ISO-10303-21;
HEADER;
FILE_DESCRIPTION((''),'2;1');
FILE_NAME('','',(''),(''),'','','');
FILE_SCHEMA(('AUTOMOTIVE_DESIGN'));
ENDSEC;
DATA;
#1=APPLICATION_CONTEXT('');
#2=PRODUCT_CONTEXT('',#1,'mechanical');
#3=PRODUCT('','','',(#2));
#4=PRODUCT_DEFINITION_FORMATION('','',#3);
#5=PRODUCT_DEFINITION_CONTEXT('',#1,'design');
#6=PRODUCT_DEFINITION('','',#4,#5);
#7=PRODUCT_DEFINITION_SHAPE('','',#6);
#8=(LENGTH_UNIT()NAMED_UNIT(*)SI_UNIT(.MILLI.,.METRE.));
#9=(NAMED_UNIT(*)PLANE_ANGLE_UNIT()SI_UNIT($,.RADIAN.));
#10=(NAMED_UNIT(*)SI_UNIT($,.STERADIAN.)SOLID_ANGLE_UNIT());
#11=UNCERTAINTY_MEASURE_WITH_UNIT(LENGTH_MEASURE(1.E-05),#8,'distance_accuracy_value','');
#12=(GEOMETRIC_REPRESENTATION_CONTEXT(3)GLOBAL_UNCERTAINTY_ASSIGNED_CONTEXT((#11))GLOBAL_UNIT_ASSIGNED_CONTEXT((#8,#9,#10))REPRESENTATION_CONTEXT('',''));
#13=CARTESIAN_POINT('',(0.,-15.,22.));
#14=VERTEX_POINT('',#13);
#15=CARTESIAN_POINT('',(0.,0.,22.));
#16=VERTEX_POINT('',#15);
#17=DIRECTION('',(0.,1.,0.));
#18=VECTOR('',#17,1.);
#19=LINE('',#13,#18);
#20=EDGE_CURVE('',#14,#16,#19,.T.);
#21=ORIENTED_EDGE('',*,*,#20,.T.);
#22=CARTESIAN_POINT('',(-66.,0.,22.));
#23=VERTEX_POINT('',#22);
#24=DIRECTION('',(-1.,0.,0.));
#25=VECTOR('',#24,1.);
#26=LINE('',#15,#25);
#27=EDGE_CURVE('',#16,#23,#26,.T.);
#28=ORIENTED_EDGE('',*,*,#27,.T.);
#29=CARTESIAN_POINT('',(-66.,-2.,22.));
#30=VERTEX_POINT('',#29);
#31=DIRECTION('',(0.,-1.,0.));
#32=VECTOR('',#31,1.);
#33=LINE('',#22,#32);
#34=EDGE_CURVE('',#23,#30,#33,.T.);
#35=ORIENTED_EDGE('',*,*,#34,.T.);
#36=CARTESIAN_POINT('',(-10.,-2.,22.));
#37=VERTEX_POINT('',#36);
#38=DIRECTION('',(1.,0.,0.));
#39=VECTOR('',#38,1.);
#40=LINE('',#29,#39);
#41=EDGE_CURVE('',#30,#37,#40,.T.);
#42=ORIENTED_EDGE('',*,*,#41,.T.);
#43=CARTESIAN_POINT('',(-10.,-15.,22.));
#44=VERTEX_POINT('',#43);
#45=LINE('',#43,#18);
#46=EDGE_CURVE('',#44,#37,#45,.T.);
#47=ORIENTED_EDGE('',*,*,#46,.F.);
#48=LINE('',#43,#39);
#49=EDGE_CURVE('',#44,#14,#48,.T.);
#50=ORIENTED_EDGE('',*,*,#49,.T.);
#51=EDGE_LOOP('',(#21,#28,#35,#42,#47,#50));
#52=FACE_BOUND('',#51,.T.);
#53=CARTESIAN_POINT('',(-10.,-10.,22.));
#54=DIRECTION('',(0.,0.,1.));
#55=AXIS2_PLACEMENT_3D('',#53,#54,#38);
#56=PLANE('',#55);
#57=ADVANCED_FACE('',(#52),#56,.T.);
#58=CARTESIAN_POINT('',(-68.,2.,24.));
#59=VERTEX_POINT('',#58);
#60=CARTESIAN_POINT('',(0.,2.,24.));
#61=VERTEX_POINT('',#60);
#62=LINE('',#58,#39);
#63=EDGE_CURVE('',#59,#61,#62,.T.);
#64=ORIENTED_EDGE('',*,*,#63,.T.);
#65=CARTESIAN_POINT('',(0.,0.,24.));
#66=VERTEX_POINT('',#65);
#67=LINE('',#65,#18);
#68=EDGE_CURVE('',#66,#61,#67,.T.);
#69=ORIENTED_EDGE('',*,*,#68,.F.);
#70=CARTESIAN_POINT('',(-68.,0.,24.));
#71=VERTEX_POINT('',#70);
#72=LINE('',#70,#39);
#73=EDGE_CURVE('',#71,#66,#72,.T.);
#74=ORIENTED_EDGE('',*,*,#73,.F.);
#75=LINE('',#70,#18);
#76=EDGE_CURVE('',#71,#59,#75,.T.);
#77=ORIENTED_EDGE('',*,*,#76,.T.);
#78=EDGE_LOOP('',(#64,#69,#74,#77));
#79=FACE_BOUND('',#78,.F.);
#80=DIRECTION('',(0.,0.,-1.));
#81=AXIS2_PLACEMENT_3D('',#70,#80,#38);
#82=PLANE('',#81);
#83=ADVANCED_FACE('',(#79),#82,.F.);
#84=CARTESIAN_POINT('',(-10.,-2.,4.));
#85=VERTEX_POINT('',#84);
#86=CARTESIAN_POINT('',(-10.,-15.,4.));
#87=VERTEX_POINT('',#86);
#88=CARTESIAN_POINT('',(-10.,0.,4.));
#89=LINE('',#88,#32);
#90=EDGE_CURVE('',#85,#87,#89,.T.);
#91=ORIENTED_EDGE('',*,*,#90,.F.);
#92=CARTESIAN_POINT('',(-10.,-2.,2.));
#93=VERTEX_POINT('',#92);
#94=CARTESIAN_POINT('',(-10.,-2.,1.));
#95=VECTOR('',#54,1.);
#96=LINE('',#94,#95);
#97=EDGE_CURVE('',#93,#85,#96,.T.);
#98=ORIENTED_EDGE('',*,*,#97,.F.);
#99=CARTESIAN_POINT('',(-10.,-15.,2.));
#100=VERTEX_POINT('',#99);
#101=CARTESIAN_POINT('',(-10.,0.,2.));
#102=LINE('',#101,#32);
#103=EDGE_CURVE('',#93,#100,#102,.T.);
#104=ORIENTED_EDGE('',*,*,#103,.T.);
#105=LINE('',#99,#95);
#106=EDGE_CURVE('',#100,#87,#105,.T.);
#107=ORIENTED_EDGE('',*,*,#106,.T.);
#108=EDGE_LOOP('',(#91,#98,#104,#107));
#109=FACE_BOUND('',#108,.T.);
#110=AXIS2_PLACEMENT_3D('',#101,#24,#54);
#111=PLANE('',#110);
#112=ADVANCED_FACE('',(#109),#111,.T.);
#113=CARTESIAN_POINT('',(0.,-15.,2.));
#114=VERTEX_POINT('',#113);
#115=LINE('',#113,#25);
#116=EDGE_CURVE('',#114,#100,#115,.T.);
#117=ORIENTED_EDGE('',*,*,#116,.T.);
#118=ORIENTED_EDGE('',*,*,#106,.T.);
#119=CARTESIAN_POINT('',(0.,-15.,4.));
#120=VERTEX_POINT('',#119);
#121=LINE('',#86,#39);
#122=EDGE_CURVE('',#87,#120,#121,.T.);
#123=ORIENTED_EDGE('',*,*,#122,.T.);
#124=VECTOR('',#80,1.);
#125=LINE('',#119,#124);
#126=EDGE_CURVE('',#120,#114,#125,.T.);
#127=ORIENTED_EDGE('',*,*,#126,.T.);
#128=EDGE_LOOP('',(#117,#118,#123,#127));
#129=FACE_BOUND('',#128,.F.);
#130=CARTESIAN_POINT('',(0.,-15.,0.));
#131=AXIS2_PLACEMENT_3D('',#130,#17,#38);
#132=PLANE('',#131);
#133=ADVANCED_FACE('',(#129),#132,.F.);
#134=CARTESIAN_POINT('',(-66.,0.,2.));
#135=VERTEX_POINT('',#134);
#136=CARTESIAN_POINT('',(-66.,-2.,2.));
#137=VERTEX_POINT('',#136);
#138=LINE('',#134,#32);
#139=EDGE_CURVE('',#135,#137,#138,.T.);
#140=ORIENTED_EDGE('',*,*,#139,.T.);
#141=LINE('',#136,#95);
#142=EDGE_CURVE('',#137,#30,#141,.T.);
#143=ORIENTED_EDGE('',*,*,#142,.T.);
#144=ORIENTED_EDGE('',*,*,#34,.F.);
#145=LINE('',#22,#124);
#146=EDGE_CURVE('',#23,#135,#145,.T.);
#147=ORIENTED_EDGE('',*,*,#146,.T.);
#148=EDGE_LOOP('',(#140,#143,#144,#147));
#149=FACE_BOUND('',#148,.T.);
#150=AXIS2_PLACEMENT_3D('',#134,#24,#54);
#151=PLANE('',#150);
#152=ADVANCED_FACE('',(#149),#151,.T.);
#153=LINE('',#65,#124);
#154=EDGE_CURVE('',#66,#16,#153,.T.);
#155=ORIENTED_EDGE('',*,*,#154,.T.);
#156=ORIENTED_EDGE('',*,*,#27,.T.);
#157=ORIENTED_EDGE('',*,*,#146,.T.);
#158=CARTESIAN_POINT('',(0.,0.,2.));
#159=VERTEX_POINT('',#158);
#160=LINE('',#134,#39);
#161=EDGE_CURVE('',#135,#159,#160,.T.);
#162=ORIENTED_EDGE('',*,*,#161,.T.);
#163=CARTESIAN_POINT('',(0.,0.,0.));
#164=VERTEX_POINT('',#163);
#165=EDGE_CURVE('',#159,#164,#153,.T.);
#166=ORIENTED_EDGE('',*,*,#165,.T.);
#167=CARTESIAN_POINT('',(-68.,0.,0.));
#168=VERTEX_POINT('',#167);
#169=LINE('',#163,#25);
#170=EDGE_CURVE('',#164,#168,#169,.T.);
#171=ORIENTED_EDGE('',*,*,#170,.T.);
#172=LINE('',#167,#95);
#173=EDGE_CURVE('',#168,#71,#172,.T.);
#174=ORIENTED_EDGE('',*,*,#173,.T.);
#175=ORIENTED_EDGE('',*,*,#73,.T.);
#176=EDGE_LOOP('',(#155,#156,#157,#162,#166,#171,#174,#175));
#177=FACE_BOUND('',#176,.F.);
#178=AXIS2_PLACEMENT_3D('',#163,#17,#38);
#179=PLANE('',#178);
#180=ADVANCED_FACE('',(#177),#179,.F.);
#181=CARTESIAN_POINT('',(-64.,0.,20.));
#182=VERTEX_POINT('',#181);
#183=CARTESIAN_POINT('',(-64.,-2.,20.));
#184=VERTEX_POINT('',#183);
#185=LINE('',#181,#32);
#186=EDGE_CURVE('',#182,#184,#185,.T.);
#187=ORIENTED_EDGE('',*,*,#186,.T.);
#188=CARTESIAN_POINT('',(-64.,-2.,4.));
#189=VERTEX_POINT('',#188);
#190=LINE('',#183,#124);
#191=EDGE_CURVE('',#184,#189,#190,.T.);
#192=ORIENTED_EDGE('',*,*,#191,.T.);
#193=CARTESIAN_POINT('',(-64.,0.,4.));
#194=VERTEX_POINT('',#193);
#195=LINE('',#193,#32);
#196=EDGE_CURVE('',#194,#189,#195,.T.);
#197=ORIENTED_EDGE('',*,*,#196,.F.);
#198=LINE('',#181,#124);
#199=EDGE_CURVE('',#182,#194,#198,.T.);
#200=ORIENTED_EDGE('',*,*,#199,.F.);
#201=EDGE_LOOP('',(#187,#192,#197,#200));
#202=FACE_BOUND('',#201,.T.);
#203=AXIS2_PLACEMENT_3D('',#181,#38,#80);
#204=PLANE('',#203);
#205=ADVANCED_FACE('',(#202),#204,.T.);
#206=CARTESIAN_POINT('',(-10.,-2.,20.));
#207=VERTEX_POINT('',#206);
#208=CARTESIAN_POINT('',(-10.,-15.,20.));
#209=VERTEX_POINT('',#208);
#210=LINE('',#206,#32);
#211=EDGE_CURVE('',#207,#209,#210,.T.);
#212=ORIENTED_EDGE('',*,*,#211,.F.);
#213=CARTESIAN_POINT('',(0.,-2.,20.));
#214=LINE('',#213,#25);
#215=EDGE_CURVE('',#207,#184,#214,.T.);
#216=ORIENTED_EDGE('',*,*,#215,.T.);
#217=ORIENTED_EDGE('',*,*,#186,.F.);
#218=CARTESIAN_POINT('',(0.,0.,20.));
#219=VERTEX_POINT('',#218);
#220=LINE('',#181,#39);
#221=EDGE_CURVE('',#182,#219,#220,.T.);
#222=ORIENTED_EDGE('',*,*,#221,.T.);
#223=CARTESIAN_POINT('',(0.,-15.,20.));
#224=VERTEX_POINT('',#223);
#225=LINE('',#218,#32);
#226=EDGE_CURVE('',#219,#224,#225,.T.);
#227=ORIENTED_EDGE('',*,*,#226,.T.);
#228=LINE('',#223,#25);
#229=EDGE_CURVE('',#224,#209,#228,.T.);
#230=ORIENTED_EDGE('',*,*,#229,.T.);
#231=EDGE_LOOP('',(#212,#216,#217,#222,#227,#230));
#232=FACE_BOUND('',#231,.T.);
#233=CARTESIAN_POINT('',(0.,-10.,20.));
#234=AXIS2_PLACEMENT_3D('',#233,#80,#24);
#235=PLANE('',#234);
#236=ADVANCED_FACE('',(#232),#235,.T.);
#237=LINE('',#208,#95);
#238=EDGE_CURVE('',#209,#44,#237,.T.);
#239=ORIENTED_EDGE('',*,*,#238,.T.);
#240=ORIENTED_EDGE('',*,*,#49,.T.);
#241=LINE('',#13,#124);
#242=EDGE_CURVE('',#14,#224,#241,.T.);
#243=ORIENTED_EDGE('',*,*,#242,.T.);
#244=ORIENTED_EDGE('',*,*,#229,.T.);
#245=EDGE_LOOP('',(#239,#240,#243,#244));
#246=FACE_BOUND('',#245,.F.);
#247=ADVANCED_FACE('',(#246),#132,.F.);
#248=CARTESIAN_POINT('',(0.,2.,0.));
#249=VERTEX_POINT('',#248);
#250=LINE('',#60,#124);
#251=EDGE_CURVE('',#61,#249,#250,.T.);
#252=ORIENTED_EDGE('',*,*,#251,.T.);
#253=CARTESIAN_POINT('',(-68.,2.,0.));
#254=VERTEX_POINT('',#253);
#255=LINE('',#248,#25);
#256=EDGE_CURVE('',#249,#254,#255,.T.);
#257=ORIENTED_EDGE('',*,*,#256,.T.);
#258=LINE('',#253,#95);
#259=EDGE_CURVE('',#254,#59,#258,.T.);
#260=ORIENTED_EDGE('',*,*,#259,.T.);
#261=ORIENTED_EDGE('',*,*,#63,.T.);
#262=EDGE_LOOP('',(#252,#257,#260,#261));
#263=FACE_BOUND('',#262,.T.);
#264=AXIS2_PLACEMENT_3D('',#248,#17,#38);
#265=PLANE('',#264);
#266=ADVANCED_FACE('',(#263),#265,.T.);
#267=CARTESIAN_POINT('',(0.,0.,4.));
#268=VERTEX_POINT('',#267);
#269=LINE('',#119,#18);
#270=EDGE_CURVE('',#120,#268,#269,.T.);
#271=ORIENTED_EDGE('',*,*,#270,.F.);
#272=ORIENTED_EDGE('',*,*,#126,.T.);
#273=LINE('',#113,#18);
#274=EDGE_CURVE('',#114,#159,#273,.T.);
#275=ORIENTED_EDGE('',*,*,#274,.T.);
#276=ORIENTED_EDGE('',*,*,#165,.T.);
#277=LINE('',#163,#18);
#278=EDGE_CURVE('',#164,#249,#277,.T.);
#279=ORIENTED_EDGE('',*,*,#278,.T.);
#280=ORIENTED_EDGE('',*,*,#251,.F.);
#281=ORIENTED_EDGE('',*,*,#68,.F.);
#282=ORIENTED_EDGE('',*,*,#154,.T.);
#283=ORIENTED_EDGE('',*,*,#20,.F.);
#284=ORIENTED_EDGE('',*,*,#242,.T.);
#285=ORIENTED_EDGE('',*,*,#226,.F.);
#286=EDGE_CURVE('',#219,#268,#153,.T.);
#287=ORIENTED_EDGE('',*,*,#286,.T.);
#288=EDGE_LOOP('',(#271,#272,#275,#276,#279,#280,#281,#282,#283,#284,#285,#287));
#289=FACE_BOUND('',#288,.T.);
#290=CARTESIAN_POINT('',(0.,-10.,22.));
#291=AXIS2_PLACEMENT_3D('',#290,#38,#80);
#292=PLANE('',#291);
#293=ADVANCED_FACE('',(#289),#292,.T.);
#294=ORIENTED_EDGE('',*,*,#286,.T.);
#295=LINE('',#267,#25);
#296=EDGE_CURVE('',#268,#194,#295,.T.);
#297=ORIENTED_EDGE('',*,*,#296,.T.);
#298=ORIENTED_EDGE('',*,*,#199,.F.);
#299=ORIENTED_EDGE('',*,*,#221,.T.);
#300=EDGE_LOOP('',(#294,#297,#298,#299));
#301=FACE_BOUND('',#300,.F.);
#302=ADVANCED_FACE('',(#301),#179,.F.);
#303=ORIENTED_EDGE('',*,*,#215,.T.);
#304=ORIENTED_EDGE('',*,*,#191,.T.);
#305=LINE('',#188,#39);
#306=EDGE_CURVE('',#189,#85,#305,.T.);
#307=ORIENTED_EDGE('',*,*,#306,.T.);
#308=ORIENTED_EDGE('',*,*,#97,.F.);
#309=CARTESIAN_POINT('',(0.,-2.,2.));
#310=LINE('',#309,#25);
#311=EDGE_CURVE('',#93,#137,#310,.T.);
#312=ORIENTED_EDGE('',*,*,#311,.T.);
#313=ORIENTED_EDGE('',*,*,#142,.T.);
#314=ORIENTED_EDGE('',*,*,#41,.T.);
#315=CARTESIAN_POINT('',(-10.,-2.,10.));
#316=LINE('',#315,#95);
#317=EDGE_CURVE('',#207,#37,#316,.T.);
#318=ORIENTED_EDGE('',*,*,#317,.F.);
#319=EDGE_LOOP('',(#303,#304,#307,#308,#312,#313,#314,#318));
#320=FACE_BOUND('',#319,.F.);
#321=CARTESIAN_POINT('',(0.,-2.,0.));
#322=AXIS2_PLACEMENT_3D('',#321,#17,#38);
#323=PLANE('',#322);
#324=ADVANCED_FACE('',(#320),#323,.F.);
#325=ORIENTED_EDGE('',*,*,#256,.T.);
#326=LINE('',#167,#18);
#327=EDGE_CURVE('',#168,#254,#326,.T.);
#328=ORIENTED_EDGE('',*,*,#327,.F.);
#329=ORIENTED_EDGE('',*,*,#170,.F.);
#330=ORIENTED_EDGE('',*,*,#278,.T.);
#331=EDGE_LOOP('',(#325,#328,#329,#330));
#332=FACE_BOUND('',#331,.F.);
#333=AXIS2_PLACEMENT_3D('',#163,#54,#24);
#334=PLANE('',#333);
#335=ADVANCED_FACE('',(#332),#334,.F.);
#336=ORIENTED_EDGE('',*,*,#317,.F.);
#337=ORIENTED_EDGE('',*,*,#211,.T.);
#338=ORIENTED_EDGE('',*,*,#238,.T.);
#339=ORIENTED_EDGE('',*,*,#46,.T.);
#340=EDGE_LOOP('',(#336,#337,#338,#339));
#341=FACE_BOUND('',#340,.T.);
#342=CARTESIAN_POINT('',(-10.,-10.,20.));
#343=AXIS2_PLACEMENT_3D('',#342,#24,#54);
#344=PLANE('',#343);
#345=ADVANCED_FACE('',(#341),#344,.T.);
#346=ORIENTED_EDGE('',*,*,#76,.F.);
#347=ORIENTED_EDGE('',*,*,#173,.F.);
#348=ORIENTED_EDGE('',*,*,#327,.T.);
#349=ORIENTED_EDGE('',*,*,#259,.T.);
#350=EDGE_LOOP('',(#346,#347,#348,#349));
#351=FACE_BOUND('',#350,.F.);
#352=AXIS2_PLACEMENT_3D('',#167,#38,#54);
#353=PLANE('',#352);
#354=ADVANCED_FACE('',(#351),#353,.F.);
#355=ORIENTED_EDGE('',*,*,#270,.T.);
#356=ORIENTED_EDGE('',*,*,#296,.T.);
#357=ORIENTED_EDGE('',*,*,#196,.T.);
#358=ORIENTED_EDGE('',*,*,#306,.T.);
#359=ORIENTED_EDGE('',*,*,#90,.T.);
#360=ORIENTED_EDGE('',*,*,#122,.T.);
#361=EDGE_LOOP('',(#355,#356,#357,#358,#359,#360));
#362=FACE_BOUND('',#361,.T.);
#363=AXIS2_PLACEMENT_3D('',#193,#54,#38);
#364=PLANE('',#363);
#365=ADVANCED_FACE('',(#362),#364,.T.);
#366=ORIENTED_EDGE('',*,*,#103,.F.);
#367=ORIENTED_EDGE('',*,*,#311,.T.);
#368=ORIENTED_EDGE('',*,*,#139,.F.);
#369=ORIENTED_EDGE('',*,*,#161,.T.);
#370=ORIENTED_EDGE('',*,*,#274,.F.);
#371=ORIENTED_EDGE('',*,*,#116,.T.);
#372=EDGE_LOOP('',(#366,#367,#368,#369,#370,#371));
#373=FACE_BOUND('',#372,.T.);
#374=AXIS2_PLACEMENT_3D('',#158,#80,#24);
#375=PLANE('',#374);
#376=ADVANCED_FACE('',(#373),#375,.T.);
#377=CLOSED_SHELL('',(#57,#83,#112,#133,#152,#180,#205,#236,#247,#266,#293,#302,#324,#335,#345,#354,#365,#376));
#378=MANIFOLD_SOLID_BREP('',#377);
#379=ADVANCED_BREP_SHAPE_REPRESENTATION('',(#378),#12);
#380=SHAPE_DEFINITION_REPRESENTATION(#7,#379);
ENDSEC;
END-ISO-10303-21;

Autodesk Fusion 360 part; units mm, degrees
sketch "Sketch1" plane through (0, 0, 0) normal (0, 1, 0) x (1, 0, 0)
  line L0 (0, 0) -> (-68, 0)
  line L1 (-68, 0) -> (-68, -24)
  line L2 (-68, -24) -> (0, -24)
  line L3 (0, -24) -> (0, 0)
extrude "Extrude1" add sketch "Sketch1" along normal blind 2
sketch "Sketch2" plane through (0, 0, 0) normal (0, 1, 0) x (1, 0, 0)
  line L0 (-66, -22) -> (0, -22)
  line L1 (0, -22) -> (0, -20)
  line L2 (0, -20) -> (-66, -20)
  line L3 (-66, -20) -> (-66, -22)
extrude "Extrude2" add sketch "Sketch2" against normal blind 2
sketch "Sketch3" plane through (0, 0, 0) normal (0, 1, 0) x (1, 0, 0)
  line L0 (-66, -20) -> (-64, -20)
  line L1 (-64, -20) -> (-64, -2)
  line L2 (-64, -2) -> (-66, -2)
  line L3 (-66, -2) -> (-66, -20)
extrude "Extrude3" add sketch "Sketch3" against normal blind 2
sketch "Sketch4" plane through (0, 0, 0) normal (0, 1, 0) x (1, 0, 0)
  line L0 (-64, -4) -> (0, -4)
  line L1 (0, -4) -> (0, -2)
  line L2 (0, -2) -> (-64, -2)
  line L3 (-64, -2) -> (-64, -4)
extrude "Extrude4" add sketch "Sketch4" against normal blind 2
sketch "Sketch5" plane through (0, 0, 0) normal (0, 1, 0) x (1, 0, 0)
  line L0 (-10, -22) -> (0, -22)
  line L1 (0, -22) -> (0, -20)
  line L2 (0, -20) -> (-10, -20)
  line L3 (-10, -20) -> (-10, -22)
extrude "Extrude5" add sketch "Sketch5" against normal blind 10
extrude "Extrude6" add 1 faces at (-6.6667, -10, 20.6667) along direction (0, -1, 0) blind 5
sketch "Sketch6" plane through (0, 0, 0) normal (0, 1, 0) x (1, 0, 0)
  line L0 (-10, -4) -> (0, -4)
  line L1 (0, -4) -> (0, -2)
  line L2 (0, -2) -> (-10, -2)
  line L3 (-10, -2) -> (-10, -4)
extrude "Extrude7" add sketch "Sketch6" against normal blind 15
